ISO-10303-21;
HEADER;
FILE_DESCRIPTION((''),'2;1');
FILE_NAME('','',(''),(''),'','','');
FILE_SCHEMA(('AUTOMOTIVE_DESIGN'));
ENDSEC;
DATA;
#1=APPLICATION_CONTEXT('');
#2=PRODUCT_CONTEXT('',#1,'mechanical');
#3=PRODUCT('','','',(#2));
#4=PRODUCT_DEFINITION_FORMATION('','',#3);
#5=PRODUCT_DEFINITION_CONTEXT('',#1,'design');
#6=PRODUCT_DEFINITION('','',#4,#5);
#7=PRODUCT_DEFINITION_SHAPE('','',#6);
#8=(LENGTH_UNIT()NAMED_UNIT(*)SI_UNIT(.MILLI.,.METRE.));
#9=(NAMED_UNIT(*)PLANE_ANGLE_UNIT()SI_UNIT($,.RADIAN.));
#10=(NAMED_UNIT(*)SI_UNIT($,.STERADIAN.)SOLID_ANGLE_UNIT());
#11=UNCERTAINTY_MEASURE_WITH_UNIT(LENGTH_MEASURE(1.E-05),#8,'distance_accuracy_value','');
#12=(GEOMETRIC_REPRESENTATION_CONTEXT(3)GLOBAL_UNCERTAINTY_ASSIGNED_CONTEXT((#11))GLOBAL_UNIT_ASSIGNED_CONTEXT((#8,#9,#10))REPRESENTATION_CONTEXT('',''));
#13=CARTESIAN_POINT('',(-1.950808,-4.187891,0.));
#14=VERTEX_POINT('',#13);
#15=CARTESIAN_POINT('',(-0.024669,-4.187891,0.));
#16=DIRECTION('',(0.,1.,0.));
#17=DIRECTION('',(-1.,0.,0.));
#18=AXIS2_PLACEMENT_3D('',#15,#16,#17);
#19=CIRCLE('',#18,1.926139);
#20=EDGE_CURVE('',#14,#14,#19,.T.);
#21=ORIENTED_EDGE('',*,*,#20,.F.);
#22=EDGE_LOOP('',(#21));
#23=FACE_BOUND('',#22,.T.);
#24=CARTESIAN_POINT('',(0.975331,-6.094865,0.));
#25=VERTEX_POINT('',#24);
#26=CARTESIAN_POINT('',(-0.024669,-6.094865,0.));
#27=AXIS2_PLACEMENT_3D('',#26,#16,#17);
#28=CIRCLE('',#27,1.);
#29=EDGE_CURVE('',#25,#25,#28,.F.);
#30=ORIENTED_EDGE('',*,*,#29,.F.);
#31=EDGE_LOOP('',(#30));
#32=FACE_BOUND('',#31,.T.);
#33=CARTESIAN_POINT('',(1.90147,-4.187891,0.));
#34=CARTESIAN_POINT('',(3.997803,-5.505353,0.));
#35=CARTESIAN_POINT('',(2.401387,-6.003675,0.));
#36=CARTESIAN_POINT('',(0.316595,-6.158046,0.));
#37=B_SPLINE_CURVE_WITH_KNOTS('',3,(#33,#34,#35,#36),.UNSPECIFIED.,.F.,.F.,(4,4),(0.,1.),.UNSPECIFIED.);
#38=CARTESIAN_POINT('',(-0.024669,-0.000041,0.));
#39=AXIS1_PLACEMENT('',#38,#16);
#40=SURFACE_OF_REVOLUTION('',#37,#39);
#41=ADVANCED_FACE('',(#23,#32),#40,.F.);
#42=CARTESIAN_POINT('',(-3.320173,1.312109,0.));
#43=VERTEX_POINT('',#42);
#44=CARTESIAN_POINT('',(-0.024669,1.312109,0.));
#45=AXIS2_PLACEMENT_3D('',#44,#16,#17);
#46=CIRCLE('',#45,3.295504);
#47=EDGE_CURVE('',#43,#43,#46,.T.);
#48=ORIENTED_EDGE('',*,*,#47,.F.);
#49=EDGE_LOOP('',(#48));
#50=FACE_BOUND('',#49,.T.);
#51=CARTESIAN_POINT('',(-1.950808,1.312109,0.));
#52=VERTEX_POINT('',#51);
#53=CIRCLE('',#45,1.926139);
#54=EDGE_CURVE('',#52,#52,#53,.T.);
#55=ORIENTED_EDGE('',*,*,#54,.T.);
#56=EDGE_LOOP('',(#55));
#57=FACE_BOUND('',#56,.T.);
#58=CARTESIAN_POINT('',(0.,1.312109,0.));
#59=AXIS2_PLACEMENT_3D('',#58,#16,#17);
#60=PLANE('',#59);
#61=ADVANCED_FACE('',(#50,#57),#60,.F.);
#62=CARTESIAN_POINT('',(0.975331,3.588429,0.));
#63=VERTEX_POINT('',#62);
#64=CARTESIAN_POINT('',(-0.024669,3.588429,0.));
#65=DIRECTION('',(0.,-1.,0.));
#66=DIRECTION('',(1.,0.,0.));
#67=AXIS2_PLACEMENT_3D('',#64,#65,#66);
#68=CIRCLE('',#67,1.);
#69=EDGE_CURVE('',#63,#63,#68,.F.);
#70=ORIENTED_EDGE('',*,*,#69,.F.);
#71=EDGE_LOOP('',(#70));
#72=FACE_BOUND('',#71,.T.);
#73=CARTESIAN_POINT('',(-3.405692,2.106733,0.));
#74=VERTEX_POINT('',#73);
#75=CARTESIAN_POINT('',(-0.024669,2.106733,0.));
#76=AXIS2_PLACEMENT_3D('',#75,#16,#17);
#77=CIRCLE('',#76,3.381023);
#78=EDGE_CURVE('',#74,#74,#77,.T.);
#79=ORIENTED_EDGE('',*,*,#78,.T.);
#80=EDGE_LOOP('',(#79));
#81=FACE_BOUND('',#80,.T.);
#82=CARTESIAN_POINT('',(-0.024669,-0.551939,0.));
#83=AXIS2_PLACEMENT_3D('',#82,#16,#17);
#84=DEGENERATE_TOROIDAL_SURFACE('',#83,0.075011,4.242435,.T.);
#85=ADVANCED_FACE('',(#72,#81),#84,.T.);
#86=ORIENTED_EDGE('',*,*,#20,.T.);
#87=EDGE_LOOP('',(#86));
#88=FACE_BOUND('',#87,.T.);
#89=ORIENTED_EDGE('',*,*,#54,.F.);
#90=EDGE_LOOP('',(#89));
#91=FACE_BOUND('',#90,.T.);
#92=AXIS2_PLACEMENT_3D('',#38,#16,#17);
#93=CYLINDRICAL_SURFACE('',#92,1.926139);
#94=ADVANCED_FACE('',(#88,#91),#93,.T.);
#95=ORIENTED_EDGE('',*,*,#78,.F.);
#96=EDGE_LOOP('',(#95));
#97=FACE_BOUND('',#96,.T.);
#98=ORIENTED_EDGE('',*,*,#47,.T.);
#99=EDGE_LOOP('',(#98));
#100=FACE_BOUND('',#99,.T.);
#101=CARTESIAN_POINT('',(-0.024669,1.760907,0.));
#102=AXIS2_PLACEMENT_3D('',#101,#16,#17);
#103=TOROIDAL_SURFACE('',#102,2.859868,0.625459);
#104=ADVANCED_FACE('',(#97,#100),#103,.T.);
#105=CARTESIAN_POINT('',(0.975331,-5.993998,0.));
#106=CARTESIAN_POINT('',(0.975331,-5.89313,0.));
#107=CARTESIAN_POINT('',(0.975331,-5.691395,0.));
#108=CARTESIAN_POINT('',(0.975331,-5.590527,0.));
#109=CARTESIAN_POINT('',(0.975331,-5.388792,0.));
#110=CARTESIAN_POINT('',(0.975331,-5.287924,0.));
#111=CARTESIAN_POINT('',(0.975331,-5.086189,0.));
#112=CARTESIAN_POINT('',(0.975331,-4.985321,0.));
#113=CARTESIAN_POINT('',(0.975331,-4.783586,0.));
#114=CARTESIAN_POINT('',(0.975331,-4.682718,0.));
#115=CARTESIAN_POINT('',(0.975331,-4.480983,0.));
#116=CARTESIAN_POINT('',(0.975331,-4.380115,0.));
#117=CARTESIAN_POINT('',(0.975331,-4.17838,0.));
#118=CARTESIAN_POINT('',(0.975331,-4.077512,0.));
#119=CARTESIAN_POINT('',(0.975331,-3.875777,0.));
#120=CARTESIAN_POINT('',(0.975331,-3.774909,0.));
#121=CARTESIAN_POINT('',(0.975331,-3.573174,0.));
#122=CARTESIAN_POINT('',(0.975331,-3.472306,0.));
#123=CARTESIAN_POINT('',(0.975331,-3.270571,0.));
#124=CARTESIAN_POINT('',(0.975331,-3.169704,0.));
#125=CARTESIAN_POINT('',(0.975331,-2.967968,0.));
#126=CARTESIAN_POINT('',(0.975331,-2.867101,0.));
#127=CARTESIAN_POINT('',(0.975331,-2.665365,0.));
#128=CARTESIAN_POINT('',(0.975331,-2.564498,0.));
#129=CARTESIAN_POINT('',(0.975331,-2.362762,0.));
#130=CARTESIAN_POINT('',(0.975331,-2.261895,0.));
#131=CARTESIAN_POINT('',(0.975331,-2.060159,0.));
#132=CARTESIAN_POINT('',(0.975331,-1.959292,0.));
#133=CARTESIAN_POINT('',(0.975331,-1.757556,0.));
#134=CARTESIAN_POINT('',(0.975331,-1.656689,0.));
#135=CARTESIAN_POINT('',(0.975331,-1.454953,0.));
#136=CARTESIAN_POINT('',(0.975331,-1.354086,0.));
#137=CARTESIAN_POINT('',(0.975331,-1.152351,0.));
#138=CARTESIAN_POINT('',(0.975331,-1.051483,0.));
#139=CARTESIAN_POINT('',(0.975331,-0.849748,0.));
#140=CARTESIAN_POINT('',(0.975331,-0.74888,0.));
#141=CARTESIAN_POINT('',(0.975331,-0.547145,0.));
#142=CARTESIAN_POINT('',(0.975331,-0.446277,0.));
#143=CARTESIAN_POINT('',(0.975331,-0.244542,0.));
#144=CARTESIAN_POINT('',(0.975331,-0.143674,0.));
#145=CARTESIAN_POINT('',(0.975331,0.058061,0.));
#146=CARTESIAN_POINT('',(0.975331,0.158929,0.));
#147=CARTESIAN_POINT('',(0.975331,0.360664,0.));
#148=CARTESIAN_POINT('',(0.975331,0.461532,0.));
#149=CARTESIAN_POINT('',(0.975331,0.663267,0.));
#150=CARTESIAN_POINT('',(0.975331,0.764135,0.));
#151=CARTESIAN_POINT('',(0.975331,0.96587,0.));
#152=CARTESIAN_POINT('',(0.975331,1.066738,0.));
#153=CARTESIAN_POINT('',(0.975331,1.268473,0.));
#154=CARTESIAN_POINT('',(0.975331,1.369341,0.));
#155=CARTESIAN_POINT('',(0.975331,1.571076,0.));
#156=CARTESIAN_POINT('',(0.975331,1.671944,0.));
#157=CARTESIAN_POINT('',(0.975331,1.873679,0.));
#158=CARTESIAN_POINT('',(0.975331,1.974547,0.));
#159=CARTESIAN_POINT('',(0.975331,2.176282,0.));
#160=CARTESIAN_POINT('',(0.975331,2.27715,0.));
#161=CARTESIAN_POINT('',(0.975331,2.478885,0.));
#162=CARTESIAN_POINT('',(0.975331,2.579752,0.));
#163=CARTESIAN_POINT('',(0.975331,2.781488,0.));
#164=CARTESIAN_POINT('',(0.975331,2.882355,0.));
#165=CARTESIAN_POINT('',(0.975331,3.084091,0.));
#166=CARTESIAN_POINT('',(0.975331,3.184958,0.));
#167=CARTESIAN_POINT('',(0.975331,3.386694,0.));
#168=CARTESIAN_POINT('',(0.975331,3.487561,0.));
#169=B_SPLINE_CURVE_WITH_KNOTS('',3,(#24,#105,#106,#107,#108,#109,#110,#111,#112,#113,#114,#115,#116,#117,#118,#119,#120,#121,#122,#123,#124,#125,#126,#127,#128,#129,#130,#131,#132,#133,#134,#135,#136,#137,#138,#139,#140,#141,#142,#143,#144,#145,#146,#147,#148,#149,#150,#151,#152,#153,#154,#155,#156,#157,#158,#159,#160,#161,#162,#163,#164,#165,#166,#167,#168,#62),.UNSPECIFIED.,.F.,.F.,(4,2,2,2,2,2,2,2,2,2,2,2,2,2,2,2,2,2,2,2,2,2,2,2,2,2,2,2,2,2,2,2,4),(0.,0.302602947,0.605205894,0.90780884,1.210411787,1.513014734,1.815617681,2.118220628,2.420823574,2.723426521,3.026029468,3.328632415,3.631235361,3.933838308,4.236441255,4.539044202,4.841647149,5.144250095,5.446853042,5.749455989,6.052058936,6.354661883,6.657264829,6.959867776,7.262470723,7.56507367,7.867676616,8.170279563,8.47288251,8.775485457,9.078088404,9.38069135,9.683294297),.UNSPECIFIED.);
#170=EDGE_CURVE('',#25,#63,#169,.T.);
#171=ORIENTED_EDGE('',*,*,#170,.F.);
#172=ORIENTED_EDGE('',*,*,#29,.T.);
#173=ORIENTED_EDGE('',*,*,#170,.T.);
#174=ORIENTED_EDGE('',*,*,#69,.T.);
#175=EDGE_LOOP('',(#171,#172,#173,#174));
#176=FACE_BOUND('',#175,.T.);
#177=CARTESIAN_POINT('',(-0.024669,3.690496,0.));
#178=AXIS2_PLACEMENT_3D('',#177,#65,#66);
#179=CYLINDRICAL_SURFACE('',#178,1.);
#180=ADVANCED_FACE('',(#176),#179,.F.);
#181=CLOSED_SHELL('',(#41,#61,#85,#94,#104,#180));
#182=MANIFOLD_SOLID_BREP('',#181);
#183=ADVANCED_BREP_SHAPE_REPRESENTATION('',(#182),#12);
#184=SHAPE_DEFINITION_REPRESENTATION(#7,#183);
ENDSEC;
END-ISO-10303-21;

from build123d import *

# Parameters (mm, degrees)
SKETCH2_R          = 1
CUT_EXTRUDE2_DEPTH = 12.020949889


with BuildPart() as part:
    # Sketch1 → Revolve1 (revolve)
    with BuildSketch(Plane.XY, mode=Mode.PRIVATE) as revolve1_sk:
        with BuildLine():
            add(Edge.make_bspline(
                [(1.901469747, -4.187890833), (3.997803393, -5.505352851), (2.40138715, -6.003675185), (0.316595481, -6.158045679)],
                knots=[0, 0, 0, 0, 1, 1, 1, 1], degree=3))
            Line((1.901469747, -4.187890833), (1.901469747, 1.312109167))
            Line((1.901469747, 1.312109167), (3.270835138, 1.312109167))
            ThreePointArc((3.270835138, 1.312109167), (3.457066196, 1.693980285), (3.356353959, 2.106732757))
            ThreePointArc((3.356353959, 2.106732757), (3.314000681, 2.158555901), (3.270835138, 2.209704452))
            ThreePointArc((3.270835138, 2.209704452), (1.788504548, 3.318079362), (-0.024669059, 3.689832486))
            Line((-0.024669059, 3.689832486), (-0.024669059, -6.158045679))
            Line((-0.024669059, -6.158045679), (0.316595481, -6.158045679))
        make_face()
    revolve(revolve1_sk.sketch.rotate(Axis((-0.024669059, -4.1454e-05, 0), (0, -1, 0)), 180), axis=Axis((-0.024669059, -4.1454e-05, 0), (0, -1, 0)))

    # Sketch2 → Cut-Extrude2 (cut, through all)
    with BuildSketch(Plane(origin=(0, -6.158045679, 0), x_dir=(-1, 0, 0), z_dir=(0, -1, 0))):
        with Locations(Location((0.024669059, 0, 0), (0, 0, 180))):
            Circle(SKETCH2_R)
    extrude(amount=-CUT_EXTRUDE2_DEPTH, mode=Mode.SUBTRACT)


solid = part.part
